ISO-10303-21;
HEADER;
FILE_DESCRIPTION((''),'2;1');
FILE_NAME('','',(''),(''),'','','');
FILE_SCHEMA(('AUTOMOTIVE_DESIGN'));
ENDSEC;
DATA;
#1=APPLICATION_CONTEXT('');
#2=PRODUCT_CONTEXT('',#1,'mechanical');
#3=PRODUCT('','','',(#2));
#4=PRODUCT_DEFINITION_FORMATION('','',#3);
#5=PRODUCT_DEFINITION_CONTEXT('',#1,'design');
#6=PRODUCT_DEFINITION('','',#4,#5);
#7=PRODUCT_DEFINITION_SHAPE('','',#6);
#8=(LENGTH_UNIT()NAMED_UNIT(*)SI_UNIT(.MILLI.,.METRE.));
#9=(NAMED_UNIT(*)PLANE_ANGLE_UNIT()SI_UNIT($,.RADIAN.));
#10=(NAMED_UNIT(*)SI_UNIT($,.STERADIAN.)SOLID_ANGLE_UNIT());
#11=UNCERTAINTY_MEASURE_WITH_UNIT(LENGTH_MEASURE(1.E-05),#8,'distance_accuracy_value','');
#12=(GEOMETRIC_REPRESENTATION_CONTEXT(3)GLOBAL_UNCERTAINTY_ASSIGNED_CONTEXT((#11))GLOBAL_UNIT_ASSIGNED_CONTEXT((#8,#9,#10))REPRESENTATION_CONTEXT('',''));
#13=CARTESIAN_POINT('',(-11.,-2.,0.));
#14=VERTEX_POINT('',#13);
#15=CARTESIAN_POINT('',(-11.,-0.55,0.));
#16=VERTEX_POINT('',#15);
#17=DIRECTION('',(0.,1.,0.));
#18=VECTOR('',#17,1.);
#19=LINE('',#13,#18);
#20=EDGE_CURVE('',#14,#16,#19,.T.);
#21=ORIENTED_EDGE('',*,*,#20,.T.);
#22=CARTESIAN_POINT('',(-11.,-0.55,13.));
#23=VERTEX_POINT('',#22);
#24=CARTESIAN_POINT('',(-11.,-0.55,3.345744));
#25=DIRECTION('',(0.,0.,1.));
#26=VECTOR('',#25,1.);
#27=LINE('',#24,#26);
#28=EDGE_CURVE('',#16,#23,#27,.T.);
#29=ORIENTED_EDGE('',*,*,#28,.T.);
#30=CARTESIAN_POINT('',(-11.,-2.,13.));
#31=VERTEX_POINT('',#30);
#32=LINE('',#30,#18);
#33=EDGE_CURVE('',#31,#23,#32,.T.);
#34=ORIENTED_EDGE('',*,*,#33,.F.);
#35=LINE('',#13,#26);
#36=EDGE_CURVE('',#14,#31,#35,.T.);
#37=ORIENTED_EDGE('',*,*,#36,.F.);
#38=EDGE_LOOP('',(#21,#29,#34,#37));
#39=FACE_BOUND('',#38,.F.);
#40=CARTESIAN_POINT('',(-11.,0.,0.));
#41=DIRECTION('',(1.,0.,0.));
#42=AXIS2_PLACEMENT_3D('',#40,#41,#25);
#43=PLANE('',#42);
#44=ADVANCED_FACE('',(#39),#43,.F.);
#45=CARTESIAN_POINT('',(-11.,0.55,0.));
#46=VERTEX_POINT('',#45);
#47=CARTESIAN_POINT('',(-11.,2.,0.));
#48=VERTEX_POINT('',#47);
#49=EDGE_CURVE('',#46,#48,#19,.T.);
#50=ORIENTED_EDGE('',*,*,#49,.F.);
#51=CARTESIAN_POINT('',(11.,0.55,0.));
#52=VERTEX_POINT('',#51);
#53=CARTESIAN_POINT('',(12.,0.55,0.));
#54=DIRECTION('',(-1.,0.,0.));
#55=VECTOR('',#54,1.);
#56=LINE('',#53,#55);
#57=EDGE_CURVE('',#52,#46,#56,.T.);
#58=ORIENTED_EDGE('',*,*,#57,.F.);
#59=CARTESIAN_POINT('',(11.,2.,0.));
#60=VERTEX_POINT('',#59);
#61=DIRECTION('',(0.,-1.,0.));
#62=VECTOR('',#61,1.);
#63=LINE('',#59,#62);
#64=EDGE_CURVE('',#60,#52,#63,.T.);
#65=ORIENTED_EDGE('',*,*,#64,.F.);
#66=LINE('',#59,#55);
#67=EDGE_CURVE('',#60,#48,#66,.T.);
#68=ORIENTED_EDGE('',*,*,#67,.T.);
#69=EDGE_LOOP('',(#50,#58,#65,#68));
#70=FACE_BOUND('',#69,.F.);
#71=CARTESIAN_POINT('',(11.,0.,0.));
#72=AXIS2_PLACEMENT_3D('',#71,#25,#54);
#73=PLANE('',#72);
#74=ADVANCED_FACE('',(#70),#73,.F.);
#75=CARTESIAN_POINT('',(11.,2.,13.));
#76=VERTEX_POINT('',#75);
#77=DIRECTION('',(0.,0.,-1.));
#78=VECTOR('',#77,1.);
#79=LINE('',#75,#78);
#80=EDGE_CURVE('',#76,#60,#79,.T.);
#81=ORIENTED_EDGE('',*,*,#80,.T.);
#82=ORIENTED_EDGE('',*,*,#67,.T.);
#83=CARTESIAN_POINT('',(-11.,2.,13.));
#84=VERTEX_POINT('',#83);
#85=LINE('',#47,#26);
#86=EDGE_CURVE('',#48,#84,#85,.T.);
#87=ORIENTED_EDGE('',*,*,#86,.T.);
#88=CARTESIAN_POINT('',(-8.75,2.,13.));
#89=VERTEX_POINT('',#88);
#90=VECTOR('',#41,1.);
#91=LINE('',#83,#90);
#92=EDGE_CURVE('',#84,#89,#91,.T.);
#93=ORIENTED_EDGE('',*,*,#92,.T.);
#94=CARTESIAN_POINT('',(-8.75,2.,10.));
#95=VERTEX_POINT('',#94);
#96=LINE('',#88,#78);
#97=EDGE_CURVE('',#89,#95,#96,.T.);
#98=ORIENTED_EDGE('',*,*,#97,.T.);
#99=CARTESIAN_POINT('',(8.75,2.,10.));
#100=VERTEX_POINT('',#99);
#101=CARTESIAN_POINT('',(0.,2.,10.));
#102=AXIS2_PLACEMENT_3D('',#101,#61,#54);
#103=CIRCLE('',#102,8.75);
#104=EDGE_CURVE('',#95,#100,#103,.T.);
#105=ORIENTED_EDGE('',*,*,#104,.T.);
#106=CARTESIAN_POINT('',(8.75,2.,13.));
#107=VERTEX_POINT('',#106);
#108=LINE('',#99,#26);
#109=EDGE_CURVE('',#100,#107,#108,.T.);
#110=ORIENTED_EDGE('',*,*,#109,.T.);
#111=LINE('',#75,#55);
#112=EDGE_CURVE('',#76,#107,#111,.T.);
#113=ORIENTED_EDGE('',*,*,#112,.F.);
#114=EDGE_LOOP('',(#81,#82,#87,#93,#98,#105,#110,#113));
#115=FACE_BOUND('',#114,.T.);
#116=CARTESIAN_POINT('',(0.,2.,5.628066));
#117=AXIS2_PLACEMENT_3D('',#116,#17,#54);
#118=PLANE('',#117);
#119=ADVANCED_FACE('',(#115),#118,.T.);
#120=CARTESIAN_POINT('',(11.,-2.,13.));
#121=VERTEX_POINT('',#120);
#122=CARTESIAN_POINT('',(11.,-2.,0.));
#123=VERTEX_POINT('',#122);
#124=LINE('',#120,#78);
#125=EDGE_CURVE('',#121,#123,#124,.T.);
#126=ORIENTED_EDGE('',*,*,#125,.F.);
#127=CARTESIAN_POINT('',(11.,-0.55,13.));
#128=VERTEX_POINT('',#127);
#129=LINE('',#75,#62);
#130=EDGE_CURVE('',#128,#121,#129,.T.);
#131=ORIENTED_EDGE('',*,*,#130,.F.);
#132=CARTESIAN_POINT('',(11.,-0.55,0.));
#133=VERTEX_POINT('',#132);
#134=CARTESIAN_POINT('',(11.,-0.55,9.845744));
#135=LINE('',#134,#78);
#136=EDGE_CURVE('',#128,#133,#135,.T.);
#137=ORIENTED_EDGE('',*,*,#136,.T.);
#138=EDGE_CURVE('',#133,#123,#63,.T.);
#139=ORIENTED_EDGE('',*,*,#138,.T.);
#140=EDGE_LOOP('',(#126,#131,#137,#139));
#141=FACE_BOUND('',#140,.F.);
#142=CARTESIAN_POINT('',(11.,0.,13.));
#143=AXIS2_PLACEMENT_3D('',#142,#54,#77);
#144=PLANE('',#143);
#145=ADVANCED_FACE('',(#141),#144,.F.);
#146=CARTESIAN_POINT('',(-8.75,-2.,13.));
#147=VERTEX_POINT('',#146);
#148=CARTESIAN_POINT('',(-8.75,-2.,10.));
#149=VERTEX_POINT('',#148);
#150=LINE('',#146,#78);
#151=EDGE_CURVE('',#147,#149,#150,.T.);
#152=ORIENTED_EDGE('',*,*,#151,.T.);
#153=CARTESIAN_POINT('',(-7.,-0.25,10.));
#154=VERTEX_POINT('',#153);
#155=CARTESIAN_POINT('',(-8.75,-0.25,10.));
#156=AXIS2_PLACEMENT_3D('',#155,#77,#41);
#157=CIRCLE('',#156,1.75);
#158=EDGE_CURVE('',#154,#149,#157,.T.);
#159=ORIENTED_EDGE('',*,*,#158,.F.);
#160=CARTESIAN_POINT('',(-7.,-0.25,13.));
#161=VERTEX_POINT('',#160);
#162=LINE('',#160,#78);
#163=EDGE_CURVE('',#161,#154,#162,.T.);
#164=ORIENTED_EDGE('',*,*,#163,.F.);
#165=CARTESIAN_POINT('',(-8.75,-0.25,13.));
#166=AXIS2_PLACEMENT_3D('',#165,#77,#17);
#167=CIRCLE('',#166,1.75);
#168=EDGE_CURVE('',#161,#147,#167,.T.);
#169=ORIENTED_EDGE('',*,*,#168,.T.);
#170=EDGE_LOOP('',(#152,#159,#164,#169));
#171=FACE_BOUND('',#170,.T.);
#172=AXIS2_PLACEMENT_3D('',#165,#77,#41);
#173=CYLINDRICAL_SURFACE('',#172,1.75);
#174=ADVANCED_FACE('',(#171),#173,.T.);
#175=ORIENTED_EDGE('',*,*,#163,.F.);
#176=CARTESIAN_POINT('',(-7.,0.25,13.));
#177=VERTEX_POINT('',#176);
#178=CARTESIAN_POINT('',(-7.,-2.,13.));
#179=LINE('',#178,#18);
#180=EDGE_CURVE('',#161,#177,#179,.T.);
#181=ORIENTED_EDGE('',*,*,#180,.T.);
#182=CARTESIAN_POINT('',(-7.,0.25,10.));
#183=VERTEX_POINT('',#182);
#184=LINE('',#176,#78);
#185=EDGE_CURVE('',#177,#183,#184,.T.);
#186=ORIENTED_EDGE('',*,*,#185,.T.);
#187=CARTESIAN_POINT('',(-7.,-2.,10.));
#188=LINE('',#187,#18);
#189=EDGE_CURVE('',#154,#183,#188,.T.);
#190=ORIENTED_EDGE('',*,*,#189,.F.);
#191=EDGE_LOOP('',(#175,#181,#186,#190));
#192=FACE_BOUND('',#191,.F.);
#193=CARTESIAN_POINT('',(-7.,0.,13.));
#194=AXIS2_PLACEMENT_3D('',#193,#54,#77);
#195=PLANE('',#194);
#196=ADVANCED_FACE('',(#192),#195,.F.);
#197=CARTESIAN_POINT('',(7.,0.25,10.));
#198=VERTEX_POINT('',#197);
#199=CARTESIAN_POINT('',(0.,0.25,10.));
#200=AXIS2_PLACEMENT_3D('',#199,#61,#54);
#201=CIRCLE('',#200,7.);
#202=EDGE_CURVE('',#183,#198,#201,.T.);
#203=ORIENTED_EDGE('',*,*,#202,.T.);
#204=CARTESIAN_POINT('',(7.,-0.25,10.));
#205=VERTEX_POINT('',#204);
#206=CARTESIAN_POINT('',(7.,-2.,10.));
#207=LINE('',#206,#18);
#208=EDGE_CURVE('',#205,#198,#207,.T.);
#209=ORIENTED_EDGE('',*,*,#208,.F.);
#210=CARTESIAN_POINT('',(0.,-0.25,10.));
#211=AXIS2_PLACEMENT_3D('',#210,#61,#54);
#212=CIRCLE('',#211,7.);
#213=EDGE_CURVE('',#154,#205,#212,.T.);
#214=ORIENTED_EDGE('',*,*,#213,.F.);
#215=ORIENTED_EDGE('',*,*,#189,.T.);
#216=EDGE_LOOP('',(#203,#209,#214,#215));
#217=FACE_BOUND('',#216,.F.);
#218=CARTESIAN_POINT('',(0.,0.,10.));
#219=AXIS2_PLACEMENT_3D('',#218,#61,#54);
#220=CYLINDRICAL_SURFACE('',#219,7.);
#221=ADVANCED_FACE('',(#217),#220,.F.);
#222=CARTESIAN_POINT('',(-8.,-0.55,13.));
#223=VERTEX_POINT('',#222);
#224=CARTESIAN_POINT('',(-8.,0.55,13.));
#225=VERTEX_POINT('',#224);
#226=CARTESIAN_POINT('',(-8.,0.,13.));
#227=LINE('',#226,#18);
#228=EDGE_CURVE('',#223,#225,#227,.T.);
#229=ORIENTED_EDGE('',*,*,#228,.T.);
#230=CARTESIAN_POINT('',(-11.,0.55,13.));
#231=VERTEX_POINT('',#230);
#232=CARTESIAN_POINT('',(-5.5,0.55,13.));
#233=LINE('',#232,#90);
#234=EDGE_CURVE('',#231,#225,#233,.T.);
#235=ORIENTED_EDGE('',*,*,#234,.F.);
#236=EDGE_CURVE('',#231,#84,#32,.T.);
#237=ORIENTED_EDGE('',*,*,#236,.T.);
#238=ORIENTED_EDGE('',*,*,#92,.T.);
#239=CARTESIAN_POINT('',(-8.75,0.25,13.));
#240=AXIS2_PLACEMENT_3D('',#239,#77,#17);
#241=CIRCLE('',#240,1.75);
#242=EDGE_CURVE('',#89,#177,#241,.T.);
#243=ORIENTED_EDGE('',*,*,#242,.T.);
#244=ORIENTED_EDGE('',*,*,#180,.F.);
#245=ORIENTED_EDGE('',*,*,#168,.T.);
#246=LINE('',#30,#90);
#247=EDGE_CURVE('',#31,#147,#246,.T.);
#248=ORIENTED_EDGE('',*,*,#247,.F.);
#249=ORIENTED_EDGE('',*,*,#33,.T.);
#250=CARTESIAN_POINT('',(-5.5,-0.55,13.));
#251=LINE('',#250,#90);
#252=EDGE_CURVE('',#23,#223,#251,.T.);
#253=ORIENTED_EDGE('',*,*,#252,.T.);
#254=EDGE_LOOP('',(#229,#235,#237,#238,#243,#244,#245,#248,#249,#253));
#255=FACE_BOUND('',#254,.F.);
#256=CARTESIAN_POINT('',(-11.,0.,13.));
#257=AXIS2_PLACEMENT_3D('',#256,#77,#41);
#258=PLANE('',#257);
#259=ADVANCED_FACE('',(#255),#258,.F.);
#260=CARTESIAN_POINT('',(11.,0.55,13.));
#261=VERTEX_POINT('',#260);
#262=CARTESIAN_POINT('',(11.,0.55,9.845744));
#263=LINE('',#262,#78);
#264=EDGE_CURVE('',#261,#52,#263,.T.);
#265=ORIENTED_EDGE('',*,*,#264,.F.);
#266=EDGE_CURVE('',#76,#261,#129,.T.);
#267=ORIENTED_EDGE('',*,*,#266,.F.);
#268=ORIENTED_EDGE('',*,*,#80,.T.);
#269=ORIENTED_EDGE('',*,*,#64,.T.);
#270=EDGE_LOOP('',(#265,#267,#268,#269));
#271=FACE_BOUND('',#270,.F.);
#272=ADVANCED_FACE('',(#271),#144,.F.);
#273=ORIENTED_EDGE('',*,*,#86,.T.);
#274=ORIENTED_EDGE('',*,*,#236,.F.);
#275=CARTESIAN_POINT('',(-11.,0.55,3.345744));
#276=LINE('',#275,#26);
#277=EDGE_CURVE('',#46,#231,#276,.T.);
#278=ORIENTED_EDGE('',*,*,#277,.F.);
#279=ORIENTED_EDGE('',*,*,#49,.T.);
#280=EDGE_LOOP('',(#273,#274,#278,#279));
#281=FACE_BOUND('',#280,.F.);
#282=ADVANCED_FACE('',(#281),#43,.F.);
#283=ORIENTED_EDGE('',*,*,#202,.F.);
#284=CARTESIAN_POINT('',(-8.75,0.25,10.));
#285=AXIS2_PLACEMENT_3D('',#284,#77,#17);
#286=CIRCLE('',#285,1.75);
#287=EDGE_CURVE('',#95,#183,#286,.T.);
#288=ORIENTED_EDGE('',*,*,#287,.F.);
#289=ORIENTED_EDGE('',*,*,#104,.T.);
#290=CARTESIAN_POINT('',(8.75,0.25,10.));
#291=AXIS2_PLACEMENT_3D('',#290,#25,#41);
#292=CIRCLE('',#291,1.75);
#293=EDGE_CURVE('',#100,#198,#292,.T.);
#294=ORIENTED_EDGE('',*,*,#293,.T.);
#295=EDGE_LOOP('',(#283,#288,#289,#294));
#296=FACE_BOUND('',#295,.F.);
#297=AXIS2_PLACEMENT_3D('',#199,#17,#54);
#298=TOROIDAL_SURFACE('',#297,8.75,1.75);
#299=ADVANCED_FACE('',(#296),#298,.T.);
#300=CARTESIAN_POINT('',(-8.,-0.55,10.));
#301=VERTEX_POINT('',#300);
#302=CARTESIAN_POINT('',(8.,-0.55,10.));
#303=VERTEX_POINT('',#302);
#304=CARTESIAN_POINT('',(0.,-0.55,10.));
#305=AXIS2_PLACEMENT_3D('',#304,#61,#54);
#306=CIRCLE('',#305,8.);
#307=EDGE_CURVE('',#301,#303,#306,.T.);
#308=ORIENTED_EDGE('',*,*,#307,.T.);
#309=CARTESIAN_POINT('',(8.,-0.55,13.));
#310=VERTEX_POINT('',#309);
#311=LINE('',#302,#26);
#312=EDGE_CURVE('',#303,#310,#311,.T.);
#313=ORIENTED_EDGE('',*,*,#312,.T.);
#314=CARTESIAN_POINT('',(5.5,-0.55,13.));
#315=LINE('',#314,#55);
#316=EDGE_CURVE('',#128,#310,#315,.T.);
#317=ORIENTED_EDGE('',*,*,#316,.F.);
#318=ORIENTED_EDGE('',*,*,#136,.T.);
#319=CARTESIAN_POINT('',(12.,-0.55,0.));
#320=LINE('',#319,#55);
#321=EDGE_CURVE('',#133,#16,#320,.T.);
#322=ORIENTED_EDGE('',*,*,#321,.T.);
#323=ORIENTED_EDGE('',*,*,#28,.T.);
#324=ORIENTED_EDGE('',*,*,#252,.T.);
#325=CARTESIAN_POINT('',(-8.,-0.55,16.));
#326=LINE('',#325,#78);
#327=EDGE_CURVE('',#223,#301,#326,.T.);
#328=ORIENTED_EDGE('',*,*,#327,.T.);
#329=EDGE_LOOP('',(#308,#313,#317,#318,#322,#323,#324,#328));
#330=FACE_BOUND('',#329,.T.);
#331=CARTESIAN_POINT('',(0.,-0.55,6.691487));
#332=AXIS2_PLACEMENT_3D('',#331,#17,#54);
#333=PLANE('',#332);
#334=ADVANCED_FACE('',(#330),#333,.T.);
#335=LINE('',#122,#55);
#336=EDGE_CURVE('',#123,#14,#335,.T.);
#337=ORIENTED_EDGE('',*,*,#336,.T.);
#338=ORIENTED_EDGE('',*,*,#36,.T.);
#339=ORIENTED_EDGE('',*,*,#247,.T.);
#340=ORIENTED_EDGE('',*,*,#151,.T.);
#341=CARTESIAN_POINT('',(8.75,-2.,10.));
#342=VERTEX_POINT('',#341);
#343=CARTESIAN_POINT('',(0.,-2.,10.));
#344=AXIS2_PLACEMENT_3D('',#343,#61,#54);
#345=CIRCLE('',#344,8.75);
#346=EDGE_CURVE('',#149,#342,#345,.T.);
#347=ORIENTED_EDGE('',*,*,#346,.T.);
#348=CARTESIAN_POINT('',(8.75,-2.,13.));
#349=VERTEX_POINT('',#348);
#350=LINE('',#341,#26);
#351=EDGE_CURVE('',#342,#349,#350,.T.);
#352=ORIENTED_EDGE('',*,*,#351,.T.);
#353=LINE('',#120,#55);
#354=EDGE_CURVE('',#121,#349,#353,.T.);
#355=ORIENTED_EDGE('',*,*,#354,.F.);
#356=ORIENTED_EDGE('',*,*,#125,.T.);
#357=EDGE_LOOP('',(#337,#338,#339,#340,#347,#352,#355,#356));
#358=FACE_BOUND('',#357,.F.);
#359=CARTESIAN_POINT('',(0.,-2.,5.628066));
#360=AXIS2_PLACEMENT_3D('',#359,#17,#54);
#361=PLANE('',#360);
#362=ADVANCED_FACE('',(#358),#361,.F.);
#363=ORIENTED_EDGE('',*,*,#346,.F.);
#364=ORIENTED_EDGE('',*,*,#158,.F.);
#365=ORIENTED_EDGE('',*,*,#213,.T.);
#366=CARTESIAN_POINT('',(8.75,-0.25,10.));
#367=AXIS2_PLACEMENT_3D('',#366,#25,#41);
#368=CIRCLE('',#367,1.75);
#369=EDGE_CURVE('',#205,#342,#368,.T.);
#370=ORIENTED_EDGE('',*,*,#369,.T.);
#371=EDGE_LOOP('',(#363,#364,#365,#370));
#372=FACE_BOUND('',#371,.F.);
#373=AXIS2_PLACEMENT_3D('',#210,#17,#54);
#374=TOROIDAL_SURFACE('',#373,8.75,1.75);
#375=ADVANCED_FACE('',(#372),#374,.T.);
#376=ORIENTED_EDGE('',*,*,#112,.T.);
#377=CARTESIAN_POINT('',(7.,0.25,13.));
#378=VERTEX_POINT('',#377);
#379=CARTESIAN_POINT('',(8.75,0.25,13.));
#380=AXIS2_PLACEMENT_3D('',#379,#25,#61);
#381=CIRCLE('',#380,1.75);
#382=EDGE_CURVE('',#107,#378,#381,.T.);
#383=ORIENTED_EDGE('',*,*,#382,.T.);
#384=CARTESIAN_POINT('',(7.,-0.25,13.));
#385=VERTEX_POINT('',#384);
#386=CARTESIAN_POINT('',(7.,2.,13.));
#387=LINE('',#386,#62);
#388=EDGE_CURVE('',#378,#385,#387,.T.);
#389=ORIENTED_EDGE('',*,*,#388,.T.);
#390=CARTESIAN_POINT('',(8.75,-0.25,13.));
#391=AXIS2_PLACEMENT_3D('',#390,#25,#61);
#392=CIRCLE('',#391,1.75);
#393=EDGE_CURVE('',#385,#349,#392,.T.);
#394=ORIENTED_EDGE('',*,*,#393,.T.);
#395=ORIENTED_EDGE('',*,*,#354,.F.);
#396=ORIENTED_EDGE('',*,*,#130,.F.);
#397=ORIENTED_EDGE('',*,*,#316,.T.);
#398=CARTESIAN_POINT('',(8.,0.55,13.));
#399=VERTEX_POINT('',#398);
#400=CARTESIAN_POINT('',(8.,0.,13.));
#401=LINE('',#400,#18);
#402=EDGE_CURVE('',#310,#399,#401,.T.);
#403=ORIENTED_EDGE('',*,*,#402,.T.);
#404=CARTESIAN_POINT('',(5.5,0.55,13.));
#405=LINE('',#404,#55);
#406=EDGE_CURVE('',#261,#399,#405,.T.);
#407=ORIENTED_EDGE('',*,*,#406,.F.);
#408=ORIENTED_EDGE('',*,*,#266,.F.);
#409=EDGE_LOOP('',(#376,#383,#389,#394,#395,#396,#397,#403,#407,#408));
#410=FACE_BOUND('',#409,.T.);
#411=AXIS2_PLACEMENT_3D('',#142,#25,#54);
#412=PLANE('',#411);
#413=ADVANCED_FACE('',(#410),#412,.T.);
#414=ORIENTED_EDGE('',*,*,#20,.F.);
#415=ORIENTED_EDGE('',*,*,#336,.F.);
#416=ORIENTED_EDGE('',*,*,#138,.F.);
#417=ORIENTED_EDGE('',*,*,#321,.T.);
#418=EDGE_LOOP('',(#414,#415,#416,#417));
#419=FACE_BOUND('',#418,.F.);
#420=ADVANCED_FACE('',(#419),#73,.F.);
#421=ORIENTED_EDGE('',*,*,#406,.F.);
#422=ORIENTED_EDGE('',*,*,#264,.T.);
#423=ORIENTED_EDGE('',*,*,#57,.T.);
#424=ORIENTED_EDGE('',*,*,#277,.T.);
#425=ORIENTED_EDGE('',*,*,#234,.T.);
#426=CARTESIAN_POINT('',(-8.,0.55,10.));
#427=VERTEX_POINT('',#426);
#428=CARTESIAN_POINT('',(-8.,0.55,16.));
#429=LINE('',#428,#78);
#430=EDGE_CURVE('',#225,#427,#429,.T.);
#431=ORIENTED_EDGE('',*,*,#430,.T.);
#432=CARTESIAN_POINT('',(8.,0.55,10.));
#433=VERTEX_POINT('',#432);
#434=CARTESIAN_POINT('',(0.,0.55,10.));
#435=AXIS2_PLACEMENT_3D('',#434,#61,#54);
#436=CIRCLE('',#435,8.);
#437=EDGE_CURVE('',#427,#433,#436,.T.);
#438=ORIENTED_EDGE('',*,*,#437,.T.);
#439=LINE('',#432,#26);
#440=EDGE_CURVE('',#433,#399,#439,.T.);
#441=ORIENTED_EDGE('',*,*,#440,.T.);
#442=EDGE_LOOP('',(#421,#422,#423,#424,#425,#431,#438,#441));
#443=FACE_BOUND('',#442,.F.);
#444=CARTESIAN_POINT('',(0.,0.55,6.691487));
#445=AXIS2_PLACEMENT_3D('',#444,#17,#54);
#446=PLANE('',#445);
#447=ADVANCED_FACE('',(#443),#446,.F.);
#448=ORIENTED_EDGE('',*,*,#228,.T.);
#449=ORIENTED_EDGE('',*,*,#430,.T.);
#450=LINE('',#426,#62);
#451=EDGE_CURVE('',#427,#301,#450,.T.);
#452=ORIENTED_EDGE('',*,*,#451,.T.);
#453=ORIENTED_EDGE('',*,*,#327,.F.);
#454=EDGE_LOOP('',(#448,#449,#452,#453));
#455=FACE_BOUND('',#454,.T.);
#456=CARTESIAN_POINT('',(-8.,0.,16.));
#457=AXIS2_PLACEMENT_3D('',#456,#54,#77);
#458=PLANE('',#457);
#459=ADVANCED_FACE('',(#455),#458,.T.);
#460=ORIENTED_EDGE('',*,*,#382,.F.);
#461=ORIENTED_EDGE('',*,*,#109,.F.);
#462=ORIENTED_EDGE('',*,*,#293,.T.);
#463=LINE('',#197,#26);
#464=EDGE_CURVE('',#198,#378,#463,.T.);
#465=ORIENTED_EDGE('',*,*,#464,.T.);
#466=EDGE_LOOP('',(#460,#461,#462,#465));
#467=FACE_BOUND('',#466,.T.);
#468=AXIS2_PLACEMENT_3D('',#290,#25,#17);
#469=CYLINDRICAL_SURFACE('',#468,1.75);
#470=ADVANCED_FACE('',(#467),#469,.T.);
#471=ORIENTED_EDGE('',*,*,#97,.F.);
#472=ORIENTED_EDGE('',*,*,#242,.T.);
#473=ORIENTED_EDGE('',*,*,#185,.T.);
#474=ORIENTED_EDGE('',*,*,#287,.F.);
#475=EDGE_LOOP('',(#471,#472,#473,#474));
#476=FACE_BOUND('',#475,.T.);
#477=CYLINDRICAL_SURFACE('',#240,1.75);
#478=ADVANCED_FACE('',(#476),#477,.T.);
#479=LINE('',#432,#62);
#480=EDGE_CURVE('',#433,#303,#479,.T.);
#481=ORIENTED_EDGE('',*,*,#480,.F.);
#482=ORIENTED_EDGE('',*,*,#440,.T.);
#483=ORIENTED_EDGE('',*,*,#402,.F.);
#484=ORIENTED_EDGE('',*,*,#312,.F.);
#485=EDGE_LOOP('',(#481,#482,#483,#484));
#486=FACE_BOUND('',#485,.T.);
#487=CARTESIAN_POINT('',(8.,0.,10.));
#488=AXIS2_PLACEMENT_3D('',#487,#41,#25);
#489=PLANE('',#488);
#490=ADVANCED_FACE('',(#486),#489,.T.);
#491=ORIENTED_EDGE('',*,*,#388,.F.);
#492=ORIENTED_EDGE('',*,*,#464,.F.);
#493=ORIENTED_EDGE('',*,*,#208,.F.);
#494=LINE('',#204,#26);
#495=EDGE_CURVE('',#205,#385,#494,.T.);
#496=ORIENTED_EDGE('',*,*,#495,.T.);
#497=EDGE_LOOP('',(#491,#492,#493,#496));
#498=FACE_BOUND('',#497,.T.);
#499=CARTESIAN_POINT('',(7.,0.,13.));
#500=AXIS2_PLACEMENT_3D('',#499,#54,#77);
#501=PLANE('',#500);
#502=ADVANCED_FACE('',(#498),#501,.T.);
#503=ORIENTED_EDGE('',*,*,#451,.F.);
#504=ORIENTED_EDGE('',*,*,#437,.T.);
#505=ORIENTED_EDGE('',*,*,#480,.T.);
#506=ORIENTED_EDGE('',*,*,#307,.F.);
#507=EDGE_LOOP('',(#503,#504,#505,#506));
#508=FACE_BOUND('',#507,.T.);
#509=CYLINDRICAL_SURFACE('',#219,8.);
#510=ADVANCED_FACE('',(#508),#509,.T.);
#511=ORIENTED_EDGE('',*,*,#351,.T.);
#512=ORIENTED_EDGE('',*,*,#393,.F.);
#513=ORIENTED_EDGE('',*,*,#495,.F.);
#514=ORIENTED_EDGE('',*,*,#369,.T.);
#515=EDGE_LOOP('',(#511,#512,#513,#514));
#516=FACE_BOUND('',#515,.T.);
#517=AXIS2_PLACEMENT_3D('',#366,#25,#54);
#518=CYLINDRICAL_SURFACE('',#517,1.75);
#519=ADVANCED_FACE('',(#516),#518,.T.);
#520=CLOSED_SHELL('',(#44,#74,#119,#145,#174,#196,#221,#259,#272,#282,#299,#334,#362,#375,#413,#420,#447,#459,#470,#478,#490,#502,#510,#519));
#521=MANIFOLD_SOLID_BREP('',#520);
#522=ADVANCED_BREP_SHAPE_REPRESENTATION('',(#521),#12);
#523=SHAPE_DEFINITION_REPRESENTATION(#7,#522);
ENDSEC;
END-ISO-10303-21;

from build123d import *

# Parameters (mm, degrees)
PAD_DEPTH    = 2
POCKET_DEPTH = 0.55
FILLET_R     = 1.75


with BuildPart() as part:
    # Sketch → Pad (new body, symmetric)
    with BuildSketch(Plane.XZ):
        with BuildLine():
            Line((11, 0), (-11, 0))
            Line((-11, 0), (-11, 13))
            Line((-11, 13), (-7, 13))
            Line((-7, 13), (-7, 10))
            ThreePointArc((-7, 10), (0, 3), (7, 10))
            Line((7, 13), (7, 10))
            Line((11, 13), (7, 13))
            Line((11, 13), (11, 0))
        make_face()
    extrude(amount=PAD_DEPTH, both=True)

    # Sketch001 → Pocket (cut, symmetric)
    with BuildSketch(Plane.XZ):
        with BuildLine():
            Line((8, 10), (8, 16))
            Line((8, 16), (12, 16))
            Line((12, 16), (12, 0))
            Line((12, 0), (-12, 0))
            Line((-12, 0), (-12, 16))
            Line((-12, 16), (-8, 16))
            Line((-8, 16), (-8, 10))
            ThreePointArc((-8, 10), (0, 2), (8, 10))
        make_face()
    extrude(amount=POCKET_DEPTH, both=True, mode=Mode.SUBTRACT)

    # Fillet
    fillet_edges = [part.edges().sort_by_distance(p)[0] for p in [
        (0, 2, 3),
        (0, -2, 3),
    ]]
    fillet(fillet_edges, radius=FILLET_R)


solid = part.part
